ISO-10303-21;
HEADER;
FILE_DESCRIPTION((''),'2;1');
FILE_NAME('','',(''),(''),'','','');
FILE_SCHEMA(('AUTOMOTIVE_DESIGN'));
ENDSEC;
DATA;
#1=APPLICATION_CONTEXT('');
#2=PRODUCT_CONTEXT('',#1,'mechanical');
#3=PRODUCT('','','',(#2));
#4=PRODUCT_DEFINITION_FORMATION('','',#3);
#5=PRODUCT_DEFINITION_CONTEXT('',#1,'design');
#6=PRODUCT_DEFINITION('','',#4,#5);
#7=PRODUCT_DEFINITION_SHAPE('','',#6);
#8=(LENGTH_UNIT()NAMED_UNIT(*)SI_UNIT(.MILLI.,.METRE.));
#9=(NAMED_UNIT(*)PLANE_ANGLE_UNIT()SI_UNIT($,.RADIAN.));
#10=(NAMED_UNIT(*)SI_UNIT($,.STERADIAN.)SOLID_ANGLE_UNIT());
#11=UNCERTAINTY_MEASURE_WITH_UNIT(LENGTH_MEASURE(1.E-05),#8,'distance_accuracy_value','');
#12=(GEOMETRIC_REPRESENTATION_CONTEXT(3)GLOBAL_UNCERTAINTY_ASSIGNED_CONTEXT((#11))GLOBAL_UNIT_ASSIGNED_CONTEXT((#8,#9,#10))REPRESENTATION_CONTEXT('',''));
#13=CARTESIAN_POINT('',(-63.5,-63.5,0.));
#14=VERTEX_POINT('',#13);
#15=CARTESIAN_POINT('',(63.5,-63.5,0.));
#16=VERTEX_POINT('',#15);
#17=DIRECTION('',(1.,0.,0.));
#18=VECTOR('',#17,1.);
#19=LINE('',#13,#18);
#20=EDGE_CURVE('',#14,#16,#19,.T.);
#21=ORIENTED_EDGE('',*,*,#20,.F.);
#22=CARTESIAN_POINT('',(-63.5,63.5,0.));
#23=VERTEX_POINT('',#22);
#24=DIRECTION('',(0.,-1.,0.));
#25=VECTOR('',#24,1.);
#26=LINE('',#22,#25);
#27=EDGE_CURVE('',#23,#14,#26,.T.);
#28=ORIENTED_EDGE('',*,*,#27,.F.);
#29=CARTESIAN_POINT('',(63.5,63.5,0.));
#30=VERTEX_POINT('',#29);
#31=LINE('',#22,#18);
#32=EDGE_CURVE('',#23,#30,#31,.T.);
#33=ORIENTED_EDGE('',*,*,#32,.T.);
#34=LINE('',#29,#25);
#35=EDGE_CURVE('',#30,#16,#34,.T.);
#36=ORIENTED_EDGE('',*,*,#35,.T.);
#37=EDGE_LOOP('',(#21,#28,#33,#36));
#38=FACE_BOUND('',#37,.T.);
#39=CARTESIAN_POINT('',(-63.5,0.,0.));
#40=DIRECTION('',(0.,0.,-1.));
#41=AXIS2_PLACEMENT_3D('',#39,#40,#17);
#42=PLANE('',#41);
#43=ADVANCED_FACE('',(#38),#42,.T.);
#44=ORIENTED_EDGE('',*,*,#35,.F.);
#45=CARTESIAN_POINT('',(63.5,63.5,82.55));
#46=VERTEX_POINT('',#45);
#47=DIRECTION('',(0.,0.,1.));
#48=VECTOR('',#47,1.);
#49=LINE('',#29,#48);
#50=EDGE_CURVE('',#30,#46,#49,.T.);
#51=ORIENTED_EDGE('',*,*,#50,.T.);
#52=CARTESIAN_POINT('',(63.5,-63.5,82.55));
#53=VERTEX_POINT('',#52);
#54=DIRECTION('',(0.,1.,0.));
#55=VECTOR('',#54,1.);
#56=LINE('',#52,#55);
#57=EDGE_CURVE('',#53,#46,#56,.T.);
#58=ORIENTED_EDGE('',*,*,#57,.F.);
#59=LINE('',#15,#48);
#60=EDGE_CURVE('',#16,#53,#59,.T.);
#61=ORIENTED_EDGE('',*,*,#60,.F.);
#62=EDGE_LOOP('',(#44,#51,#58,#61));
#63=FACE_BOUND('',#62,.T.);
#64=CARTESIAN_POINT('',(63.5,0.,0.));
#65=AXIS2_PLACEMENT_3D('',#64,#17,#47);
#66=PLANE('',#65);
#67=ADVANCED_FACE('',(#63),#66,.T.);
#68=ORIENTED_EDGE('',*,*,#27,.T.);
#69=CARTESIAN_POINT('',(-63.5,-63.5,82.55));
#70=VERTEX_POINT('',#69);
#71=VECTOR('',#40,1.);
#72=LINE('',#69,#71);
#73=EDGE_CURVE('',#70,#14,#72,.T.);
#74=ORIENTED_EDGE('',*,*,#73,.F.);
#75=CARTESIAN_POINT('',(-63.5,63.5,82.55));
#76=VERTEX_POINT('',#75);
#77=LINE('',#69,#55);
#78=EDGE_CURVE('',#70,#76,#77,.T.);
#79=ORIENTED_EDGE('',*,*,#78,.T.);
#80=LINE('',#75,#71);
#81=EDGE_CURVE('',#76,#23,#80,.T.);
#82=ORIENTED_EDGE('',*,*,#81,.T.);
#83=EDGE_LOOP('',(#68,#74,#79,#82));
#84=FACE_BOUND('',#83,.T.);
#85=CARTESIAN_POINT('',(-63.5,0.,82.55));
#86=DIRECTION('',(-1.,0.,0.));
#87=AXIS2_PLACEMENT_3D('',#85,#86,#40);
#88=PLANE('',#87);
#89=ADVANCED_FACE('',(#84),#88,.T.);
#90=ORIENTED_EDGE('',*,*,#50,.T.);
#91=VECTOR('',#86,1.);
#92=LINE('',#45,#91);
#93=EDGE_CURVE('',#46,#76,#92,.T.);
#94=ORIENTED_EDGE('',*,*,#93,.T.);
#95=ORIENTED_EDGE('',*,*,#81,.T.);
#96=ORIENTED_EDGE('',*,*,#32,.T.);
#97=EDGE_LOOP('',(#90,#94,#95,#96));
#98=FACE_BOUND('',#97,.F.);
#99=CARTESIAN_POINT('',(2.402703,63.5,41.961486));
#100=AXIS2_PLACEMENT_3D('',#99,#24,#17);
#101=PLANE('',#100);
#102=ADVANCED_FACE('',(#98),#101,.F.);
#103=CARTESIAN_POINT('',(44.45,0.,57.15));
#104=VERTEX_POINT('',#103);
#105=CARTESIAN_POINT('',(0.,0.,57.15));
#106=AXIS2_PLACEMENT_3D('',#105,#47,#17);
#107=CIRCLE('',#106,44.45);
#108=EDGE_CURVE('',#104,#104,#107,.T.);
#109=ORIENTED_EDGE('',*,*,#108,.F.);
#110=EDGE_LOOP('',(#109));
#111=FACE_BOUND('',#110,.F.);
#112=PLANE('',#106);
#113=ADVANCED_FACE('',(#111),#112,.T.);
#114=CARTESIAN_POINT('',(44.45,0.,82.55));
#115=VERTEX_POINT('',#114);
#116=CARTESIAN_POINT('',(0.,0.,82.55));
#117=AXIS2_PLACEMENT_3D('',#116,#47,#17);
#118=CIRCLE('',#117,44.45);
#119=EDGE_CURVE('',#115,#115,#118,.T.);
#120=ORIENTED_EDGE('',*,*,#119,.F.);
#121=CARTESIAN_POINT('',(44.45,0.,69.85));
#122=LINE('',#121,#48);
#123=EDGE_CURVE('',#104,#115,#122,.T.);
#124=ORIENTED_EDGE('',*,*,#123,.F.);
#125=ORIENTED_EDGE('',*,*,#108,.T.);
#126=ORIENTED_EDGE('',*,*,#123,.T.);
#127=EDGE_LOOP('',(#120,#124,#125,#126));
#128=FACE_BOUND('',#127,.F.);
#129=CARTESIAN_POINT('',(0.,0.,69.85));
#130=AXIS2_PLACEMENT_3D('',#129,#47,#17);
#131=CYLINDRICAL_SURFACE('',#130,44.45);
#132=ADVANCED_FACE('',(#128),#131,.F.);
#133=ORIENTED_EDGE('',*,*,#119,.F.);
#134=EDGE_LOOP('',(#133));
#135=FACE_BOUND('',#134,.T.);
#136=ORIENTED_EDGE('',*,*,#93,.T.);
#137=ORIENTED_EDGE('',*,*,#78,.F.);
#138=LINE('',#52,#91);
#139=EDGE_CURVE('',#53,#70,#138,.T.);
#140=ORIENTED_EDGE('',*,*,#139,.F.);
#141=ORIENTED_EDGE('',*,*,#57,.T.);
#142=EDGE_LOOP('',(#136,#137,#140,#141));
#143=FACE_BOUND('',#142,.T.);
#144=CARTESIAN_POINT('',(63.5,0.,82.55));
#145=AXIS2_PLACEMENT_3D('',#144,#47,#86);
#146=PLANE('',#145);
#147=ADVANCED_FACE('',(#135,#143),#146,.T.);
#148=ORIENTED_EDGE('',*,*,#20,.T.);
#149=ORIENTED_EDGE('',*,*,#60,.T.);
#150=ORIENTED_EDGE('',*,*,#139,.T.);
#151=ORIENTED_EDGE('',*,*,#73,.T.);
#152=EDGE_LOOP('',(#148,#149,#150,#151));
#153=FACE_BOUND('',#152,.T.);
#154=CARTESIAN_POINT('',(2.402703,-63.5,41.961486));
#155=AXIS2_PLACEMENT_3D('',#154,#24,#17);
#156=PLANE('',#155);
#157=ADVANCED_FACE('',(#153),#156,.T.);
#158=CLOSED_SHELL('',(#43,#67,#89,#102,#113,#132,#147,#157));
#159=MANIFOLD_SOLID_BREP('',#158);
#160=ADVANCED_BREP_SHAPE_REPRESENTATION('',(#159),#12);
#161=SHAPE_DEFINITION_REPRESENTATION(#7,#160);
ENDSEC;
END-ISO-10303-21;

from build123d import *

# Parameters (mm, degrees)
F0_W     = 44.45
F0_H     = 25.4
F1_DEPTH = 63.5


with BuildPart() as f1:
    # F0 (on Front) → F1 (new body, symmetric)
    with BuildSketch(Plane.XZ):
        Polygon((0, 82.55), (-63.5, 82.55), (-63.5, 0), (63.5, 0), (63.5, 82.55), (44.45, 82.55), (44.45, 57.15), (0, 57.15), align=None)
        with Locations((22.225, 69.85)):
            Rectangle(F0_W, F0_H)
    extrude(amount=F1_DEPTH, both=True)

    # F0 (on Front) → F2 (revolve, cut)
    with BuildSketch(Plane.XZ):
        with Locations((22.225, 69.85)):
            Rectangle(F0_W, F0_H)
    revolve(axis=Axis((0, 0, 41.275), (0, 0, 1)), mode=Mode.SUBTRACT)


solid = f1.part
